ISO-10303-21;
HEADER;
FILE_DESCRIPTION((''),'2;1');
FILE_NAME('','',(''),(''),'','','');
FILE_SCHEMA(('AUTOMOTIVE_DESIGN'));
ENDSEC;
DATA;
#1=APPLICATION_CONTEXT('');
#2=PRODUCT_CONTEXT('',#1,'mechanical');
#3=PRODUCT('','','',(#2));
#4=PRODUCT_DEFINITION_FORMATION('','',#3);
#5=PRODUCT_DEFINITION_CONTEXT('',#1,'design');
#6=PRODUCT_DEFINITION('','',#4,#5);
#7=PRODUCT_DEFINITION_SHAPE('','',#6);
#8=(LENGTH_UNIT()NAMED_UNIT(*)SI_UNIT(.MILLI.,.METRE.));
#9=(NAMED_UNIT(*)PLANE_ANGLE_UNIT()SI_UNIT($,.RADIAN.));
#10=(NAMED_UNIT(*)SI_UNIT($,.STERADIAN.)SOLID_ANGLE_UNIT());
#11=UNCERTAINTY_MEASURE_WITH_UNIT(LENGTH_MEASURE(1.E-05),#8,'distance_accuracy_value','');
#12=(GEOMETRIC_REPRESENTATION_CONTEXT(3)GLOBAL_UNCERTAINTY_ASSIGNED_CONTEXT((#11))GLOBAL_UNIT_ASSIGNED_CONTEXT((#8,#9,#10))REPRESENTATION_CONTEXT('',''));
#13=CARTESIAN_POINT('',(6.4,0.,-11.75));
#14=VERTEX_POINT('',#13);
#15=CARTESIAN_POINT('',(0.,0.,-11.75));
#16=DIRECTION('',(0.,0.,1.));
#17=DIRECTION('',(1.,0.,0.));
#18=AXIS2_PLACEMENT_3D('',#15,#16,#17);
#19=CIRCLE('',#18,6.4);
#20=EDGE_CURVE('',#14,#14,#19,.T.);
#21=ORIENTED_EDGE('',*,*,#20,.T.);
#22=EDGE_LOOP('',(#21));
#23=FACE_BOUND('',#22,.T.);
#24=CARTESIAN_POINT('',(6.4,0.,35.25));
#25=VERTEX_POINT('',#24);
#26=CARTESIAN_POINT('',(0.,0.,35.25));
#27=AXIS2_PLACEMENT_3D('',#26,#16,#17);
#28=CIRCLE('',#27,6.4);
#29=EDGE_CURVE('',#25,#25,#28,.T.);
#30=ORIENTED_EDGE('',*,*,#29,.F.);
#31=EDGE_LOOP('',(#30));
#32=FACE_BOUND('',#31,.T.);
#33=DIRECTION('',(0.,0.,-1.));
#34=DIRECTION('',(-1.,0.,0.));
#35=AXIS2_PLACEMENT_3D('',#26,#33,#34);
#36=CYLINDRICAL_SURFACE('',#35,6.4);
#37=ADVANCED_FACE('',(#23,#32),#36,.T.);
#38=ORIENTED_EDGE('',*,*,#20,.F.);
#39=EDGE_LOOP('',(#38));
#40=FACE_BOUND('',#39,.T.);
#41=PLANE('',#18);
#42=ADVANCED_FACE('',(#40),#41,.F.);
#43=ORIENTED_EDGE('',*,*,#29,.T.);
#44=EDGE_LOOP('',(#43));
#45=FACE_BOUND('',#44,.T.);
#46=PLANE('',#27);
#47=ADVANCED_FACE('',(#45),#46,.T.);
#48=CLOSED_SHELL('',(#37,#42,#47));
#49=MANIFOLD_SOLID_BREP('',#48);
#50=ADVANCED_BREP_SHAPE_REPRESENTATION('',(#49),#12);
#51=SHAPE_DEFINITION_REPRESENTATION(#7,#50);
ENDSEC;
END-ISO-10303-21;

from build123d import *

# Parameters (mm, degrees)
SKETCH1_R           = 3.2
BOSS_EXTRUDE1_DEPTH = 23.5
SCALE_1_SCALE       = 2


with BuildPart() as part:
    # Sketch1 → Boss-Extrude1 (new body)
    with BuildSketch(Plane.XY):
        Circle(SKETCH1_R)
    extrude(amount=BOSS_EXTRUDE1_DEPTH)


with BuildPart() as part_1:
    # 缩放比例1: scaled about (0, 0, 11.75)
    add(part.part.scale(SCALE_1_SCALE).moved(Location((0, 0, -11.75))))


solid = part_1.part
